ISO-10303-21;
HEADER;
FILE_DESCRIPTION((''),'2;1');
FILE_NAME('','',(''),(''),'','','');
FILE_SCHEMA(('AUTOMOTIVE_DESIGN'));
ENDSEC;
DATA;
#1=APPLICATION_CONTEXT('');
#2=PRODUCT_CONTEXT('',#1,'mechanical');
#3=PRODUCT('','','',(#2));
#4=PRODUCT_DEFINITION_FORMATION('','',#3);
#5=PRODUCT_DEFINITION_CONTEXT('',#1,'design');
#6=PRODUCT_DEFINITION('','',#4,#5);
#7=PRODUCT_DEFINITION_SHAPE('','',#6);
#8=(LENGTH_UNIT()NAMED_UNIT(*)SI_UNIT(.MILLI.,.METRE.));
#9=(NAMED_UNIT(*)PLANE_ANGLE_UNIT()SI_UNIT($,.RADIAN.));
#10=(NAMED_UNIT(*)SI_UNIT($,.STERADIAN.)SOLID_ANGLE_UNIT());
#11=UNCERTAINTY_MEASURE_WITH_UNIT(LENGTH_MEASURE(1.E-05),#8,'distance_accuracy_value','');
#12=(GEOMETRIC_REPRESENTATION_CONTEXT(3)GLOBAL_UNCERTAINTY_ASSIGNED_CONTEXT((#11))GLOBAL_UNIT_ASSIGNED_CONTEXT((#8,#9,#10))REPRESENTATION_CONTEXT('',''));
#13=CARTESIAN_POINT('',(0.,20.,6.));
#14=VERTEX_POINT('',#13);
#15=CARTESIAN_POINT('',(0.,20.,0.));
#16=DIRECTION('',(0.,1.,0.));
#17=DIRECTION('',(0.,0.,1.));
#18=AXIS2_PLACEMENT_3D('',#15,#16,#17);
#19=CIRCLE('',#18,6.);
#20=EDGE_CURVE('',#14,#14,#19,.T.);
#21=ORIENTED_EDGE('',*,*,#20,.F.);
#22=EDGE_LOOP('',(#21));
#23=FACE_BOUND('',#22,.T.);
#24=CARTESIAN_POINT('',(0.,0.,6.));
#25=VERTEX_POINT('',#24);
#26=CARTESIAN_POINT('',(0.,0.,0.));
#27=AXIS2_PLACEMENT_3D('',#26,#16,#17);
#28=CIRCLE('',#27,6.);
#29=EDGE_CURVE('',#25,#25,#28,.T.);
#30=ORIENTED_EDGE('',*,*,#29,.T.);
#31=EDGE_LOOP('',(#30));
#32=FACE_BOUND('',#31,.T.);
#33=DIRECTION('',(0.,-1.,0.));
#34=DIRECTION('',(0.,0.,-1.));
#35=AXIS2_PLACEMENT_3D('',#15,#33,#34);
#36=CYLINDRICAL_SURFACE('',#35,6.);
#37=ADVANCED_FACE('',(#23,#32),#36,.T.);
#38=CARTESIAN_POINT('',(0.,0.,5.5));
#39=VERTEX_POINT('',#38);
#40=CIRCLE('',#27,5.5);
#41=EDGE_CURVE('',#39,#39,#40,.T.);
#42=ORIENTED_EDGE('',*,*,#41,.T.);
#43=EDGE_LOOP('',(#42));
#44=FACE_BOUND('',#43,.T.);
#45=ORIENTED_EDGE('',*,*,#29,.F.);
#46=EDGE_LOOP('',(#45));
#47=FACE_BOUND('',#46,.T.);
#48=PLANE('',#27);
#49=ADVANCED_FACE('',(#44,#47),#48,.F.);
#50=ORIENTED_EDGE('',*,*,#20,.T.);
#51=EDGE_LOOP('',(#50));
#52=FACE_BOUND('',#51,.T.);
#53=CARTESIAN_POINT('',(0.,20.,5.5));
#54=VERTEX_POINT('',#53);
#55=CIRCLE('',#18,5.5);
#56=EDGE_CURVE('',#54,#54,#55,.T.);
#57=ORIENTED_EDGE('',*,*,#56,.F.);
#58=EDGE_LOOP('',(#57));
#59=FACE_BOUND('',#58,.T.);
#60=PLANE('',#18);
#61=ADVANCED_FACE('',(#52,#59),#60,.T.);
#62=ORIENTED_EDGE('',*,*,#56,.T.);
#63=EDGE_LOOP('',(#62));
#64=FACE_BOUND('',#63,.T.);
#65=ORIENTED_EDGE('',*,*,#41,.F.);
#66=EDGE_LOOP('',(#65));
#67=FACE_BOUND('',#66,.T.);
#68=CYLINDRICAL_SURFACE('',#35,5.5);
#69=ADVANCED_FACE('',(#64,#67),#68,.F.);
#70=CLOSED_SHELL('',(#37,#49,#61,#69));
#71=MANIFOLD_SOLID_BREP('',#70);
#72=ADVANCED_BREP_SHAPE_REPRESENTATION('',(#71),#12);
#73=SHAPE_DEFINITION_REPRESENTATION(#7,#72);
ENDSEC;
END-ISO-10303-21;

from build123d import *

# Parameters (mm, degrees)
SKETCH_1_R      = 6
SKETCH_1_R_2    = 5.5
EXTRUDE_1_DEPTH = 20


with BuildPart() as part:
    # 草图1 → 凸台-拉伸1 (new body)
    with BuildSketch(Plane(origin=(0, 0, 0), x_dir=(1, 0, 0), z_dir=(0, 1, 0))):
        Circle(SKETCH_1_R)
        Circle(SKETCH_1_R_2, mode=Mode.SUBTRACT)
    extrude(amount=EXTRUDE_1_DEPTH)


solid = part.part
